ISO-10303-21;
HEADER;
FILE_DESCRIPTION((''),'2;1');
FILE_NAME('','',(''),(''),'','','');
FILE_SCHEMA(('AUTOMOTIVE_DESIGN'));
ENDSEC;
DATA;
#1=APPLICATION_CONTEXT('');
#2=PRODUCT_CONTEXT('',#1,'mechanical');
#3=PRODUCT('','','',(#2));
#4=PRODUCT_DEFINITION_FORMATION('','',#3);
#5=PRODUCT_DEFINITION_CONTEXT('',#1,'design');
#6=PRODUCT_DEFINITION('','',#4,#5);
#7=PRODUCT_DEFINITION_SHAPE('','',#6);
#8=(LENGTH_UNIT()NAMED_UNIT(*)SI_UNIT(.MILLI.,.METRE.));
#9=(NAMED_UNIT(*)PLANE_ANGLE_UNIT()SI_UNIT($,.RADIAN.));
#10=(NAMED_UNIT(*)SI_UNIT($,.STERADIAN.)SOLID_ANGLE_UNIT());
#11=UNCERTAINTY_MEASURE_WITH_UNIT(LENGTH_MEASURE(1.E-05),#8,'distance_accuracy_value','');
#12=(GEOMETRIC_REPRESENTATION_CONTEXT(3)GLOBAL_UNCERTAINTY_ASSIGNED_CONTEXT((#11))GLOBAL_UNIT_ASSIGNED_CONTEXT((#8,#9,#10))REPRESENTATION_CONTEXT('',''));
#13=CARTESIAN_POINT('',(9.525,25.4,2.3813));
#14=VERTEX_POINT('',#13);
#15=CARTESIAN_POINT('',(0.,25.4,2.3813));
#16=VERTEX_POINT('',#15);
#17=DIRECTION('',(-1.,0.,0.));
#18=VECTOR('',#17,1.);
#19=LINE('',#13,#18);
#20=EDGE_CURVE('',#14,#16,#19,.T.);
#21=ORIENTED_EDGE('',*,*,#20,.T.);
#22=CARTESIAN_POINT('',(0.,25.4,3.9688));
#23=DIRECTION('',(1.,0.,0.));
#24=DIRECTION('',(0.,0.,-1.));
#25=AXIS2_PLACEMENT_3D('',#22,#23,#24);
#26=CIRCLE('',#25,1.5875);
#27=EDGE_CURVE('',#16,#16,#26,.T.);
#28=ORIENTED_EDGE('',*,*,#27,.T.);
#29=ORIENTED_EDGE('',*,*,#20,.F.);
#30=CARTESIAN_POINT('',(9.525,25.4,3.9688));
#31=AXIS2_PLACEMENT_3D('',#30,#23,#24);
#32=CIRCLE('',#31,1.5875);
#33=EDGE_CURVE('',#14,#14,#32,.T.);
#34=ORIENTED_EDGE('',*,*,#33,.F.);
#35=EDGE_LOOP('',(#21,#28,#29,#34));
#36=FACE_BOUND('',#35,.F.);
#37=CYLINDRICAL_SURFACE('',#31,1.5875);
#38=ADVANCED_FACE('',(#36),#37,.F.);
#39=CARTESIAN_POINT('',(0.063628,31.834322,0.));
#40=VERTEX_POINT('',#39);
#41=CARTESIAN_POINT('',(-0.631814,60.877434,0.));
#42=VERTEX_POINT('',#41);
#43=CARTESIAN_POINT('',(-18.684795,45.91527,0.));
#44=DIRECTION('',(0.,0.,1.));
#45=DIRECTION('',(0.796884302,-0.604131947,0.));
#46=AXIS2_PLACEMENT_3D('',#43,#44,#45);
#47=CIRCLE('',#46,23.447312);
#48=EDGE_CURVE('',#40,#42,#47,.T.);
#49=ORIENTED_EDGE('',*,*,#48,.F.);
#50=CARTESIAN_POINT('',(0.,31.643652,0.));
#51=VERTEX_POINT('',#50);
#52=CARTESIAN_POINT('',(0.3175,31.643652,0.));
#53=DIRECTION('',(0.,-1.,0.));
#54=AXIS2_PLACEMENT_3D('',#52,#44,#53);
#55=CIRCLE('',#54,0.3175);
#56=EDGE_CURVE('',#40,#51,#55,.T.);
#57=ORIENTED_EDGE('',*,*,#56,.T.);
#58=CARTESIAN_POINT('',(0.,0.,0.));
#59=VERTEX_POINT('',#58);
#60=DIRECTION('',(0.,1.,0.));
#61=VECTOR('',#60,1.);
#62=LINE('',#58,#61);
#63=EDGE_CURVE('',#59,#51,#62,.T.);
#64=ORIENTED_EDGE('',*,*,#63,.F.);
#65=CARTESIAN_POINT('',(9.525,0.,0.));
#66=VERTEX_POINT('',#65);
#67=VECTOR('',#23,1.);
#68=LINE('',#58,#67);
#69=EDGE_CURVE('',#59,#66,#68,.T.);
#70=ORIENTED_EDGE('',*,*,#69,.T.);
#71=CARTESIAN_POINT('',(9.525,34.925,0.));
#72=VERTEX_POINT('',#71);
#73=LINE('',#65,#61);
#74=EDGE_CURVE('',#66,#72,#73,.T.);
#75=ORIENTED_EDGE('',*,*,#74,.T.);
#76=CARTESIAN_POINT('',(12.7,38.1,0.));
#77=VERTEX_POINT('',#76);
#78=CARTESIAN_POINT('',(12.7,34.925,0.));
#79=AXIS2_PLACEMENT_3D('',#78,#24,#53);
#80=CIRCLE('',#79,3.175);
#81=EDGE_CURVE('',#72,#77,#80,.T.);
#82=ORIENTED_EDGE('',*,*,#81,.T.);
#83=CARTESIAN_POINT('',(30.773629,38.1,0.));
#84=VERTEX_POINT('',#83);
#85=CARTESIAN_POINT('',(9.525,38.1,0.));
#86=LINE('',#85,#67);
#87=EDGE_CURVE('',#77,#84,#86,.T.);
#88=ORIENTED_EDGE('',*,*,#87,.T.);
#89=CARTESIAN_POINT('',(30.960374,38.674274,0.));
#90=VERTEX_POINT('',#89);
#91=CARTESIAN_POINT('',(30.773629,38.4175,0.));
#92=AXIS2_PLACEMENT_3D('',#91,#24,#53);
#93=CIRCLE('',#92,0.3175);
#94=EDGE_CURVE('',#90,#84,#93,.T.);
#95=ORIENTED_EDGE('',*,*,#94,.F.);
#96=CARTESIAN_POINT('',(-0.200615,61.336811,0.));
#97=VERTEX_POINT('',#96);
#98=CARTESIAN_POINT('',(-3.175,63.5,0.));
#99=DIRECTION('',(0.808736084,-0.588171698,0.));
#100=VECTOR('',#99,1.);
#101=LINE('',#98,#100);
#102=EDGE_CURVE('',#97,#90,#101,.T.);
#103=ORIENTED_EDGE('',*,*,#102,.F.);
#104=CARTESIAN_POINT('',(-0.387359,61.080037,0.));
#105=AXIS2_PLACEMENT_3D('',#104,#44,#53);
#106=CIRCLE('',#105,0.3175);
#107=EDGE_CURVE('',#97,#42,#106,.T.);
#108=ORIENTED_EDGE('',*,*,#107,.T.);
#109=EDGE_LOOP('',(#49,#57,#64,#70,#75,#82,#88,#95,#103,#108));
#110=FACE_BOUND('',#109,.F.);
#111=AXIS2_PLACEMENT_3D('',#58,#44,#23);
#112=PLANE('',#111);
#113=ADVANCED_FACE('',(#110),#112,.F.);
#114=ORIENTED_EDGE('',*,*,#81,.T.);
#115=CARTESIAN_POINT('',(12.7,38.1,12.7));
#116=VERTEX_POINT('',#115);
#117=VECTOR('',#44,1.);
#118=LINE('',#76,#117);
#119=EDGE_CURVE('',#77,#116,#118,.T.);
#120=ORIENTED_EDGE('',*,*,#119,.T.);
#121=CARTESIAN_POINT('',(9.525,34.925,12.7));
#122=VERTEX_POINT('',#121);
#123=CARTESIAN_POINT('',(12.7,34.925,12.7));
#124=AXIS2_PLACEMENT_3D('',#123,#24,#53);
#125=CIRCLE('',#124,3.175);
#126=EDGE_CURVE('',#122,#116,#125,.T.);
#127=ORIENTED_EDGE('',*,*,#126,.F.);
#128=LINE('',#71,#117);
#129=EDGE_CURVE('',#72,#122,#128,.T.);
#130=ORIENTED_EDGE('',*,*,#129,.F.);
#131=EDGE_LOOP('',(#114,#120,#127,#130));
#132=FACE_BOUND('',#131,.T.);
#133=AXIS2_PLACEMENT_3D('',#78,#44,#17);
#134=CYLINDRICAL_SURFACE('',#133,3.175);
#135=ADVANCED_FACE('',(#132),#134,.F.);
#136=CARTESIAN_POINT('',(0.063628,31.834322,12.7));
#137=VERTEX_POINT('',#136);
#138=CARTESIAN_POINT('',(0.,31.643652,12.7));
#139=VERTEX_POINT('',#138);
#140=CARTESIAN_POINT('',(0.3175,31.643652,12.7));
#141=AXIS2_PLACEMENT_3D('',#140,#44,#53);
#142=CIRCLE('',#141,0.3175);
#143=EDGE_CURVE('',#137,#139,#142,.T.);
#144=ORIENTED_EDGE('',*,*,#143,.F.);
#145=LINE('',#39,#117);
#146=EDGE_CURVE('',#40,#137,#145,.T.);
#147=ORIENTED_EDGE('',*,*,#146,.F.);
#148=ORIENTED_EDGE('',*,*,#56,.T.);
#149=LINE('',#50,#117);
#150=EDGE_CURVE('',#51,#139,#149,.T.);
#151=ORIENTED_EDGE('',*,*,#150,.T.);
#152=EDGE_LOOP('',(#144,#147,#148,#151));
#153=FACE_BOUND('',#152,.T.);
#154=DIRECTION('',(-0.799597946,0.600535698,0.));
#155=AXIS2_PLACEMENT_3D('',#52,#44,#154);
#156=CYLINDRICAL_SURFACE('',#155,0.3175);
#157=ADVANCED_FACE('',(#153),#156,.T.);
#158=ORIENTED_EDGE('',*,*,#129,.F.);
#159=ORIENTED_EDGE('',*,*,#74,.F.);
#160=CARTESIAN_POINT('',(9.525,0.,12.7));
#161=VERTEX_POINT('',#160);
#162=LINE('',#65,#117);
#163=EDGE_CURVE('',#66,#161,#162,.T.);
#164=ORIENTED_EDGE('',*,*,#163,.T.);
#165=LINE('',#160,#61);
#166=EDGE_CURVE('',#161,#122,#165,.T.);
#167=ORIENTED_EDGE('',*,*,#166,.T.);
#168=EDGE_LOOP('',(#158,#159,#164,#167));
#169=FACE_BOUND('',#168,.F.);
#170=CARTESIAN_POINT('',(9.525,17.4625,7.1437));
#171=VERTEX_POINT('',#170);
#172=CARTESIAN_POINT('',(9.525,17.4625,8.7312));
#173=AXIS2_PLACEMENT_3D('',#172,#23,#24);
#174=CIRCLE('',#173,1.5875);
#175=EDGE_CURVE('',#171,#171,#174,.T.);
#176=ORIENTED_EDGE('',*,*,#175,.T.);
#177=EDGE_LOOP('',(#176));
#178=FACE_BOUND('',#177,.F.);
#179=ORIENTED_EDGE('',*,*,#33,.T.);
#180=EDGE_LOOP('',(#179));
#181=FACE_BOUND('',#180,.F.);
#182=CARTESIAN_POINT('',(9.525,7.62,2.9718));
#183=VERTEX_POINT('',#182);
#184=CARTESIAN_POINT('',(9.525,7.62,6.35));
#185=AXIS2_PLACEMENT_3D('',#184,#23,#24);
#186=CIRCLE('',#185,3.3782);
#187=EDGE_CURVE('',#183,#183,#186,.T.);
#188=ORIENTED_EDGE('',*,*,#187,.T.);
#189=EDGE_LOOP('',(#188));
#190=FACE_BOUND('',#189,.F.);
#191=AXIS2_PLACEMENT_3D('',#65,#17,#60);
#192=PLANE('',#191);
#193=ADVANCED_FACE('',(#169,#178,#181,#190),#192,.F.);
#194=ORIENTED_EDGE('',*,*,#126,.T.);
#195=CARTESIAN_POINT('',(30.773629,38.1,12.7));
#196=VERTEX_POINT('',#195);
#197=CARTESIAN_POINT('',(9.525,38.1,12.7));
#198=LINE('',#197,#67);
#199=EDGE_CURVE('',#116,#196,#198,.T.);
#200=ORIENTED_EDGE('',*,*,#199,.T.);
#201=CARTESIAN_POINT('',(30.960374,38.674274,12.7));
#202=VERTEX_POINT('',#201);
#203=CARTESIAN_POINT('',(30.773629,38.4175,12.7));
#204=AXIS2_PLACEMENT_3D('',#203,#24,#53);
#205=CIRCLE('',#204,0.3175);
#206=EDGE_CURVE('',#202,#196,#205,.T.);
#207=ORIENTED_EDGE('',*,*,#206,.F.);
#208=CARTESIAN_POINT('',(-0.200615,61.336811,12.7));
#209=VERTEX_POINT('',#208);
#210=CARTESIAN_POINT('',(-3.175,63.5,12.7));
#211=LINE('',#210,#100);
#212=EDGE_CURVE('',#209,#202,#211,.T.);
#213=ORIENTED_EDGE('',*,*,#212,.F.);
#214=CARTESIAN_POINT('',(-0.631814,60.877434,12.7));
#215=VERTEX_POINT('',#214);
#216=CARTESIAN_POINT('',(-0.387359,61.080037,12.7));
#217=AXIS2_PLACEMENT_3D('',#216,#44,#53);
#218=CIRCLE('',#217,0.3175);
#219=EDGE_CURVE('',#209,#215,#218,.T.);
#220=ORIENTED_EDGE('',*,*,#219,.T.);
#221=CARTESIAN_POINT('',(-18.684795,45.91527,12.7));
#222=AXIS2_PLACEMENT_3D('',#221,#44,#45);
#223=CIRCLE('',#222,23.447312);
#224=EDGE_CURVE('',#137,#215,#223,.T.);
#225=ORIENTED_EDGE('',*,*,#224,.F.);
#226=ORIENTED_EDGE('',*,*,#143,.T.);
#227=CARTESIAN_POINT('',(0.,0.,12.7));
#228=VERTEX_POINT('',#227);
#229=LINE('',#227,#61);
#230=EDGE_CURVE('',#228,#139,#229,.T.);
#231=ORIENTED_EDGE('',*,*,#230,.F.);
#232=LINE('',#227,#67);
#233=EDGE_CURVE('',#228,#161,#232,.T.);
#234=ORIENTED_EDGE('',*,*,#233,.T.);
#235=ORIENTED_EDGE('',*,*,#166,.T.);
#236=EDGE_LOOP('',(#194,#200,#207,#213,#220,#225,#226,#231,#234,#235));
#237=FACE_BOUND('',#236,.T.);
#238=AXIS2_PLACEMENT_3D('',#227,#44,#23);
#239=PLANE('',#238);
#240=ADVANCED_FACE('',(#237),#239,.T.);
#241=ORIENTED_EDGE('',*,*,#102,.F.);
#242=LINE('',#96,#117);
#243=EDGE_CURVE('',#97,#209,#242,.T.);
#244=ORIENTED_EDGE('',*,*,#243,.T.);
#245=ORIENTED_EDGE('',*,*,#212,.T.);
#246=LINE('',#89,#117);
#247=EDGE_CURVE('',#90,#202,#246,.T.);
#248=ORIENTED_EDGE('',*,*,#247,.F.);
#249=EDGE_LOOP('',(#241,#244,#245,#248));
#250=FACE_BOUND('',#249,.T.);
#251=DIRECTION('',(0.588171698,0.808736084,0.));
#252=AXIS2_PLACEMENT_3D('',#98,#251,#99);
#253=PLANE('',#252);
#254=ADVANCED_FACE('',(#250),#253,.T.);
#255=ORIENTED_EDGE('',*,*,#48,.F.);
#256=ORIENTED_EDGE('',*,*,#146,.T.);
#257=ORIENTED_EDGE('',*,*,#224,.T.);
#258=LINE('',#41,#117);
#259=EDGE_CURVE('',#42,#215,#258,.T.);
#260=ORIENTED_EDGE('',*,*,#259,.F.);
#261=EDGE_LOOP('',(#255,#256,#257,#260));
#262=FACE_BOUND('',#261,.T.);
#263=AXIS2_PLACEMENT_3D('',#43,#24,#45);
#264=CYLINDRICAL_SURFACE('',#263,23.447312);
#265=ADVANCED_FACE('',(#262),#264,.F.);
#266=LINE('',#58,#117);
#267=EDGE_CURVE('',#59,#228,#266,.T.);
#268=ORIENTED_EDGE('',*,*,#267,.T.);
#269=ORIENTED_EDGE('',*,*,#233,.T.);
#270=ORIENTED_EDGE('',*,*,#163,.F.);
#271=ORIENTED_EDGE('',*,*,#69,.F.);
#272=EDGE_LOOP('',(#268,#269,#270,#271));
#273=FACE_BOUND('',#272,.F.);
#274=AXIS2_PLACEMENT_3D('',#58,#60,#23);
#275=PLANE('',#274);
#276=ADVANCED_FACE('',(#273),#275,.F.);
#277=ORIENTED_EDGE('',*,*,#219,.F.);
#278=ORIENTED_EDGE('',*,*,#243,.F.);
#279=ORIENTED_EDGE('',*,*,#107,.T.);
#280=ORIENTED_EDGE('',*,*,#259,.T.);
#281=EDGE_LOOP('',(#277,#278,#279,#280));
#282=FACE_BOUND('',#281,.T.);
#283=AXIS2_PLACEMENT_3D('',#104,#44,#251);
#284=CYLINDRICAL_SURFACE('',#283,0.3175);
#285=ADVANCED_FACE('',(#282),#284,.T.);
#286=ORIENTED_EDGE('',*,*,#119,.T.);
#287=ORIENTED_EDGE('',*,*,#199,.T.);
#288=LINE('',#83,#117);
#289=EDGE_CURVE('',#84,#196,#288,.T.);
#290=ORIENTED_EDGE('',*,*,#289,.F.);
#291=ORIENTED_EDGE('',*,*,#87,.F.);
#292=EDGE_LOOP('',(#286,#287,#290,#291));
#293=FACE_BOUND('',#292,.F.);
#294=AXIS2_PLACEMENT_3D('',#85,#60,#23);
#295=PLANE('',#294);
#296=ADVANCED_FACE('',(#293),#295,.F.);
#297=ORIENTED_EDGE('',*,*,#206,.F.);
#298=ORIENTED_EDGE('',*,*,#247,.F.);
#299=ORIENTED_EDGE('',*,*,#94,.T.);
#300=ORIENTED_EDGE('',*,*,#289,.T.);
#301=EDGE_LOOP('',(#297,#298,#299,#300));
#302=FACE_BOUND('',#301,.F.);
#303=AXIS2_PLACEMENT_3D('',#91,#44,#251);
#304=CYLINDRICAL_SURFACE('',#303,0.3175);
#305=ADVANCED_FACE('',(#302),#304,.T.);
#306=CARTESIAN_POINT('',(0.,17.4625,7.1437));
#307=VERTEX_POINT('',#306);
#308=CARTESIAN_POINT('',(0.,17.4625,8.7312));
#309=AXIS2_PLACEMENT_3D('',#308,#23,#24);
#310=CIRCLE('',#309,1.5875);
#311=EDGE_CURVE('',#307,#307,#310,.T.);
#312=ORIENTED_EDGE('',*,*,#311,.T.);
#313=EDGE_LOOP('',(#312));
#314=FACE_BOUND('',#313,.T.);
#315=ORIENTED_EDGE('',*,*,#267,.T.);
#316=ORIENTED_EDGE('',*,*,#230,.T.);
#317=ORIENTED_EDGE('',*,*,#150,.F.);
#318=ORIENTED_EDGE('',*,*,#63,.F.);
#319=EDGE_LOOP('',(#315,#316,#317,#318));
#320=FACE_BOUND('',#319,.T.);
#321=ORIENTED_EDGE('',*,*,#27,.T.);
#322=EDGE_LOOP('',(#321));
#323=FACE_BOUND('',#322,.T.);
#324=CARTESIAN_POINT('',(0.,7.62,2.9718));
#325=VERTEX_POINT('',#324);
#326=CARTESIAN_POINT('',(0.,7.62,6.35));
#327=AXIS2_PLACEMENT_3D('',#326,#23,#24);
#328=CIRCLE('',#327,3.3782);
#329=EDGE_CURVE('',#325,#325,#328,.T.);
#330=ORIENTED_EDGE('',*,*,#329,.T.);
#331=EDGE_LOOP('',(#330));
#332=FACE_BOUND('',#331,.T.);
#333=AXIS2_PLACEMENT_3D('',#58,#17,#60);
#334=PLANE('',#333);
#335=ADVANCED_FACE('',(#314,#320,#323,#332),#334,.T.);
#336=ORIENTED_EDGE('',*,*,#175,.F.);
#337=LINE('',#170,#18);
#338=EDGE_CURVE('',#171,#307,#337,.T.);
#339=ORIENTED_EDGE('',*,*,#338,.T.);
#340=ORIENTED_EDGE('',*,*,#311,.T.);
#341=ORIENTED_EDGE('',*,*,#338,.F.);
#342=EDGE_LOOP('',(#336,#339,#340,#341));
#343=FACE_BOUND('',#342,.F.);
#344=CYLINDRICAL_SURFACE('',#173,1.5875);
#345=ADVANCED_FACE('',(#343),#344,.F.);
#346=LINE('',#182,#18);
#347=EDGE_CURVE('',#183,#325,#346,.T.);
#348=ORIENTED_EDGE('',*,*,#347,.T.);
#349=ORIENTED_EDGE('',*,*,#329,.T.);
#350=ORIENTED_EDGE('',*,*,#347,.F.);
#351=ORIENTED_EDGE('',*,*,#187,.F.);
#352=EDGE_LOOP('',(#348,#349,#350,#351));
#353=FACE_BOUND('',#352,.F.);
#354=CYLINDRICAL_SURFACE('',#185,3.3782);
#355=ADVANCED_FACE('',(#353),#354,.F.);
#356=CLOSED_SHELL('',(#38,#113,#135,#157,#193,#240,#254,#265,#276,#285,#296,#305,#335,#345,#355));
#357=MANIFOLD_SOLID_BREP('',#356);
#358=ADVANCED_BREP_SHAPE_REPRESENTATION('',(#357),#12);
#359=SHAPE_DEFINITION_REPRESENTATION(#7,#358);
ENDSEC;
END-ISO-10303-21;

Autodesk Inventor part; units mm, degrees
ref_plane "YZ Plane" through (0, 0, 0) normal (1, 0, 0) x (0, 1, 0)
ref_plane "XZ Plane" through (0, 0, 0) normal (0, 1, 0) x (-1, 0, 0)
ref_plane "XY Plane" through (0, 0, 0) normal (0, 0, 1) x (1, 0, 0)
sketch "Sketch1" plane through (0, 0, 0) normal (0, 0, 1) x (1, 0, 0)
  line L0 (0, 0) -> (9.525, 0)
  line L1 (9.525, 0) -> (9.525, 38.1)
  line L2 (9.525, 38.1) -> (31.75, 38.1)
  line L3 (0, 0) -> (0, 63.5) construction
  line L4 (0, 63.5) -> (-3.175, 63.5) construction
  line L5 (-3.175, 63.5) -> (31.75, 38.1)
  line L6 (0, 0) -> (0, 31.75)
  line L7 (4.7625, 0) -> (4.7625, 100.076) construction
  arc A0 (0, 31.75) -> (-3.175, 63.5) centre (-18.6849, 45.9153) ccw
  dimension "d0" = 9.525
  dimension "d1" = 38.1
  dimension "d2" = 22.225
  dimension "d3" = 63.5
  dimension "d4" = 3.175
  dimension "d5" = 4.7625
extrude "Extrusion1" add sketch "Sketch1" along normal blind 12.7
sketch "Sketch2" plane through (9.525, 0, 0) normal (1, 0, 0) x (0, 0, -1)
  line L0 (0, 0) -> (0, 38.1) projected
  line L1 (0, 0) -> (-12.7, 0) projected
  circle A0 centre (-6.35, 7.62) radius 3.3782
  circle A1 centre (-3.9688, 25.4) radius 1.5875
  circle A2 centre (-8.7312, 17.4625) radius 1.5875
  dimension "d8" = 6.7564
  dimension "d10" = 6.35
  dimension "d11" = 7.62
  dimension "d12" = 3.175
  dimension "d13" = 3.175
  dimension "d15" = 4.7625
  dimension "d16" = 3.9688
  dimension "d17" = 25.4
  dimension "d24" = 7.9375
extrude "Extrusion2" cut sketch "Sketch2" against normal blind 12.7
fillet "Fillet1" radius 3.175 1 edges at (9.525, 38.1, 6.35)
fillet "Fillet2" radius 0.3175 1 edges at (-3.175, 63.5, 6.35)
fillet "Fillet3" radius 0.3175 1 edges at (0, 31.75, 6.35)
fillet "Fillet4" radius 0.3175 1 edges at (31.75, 38.1, 6.35)
properties part number "Rebuild Puller Hook" material "Polycarbonate, Clear"
